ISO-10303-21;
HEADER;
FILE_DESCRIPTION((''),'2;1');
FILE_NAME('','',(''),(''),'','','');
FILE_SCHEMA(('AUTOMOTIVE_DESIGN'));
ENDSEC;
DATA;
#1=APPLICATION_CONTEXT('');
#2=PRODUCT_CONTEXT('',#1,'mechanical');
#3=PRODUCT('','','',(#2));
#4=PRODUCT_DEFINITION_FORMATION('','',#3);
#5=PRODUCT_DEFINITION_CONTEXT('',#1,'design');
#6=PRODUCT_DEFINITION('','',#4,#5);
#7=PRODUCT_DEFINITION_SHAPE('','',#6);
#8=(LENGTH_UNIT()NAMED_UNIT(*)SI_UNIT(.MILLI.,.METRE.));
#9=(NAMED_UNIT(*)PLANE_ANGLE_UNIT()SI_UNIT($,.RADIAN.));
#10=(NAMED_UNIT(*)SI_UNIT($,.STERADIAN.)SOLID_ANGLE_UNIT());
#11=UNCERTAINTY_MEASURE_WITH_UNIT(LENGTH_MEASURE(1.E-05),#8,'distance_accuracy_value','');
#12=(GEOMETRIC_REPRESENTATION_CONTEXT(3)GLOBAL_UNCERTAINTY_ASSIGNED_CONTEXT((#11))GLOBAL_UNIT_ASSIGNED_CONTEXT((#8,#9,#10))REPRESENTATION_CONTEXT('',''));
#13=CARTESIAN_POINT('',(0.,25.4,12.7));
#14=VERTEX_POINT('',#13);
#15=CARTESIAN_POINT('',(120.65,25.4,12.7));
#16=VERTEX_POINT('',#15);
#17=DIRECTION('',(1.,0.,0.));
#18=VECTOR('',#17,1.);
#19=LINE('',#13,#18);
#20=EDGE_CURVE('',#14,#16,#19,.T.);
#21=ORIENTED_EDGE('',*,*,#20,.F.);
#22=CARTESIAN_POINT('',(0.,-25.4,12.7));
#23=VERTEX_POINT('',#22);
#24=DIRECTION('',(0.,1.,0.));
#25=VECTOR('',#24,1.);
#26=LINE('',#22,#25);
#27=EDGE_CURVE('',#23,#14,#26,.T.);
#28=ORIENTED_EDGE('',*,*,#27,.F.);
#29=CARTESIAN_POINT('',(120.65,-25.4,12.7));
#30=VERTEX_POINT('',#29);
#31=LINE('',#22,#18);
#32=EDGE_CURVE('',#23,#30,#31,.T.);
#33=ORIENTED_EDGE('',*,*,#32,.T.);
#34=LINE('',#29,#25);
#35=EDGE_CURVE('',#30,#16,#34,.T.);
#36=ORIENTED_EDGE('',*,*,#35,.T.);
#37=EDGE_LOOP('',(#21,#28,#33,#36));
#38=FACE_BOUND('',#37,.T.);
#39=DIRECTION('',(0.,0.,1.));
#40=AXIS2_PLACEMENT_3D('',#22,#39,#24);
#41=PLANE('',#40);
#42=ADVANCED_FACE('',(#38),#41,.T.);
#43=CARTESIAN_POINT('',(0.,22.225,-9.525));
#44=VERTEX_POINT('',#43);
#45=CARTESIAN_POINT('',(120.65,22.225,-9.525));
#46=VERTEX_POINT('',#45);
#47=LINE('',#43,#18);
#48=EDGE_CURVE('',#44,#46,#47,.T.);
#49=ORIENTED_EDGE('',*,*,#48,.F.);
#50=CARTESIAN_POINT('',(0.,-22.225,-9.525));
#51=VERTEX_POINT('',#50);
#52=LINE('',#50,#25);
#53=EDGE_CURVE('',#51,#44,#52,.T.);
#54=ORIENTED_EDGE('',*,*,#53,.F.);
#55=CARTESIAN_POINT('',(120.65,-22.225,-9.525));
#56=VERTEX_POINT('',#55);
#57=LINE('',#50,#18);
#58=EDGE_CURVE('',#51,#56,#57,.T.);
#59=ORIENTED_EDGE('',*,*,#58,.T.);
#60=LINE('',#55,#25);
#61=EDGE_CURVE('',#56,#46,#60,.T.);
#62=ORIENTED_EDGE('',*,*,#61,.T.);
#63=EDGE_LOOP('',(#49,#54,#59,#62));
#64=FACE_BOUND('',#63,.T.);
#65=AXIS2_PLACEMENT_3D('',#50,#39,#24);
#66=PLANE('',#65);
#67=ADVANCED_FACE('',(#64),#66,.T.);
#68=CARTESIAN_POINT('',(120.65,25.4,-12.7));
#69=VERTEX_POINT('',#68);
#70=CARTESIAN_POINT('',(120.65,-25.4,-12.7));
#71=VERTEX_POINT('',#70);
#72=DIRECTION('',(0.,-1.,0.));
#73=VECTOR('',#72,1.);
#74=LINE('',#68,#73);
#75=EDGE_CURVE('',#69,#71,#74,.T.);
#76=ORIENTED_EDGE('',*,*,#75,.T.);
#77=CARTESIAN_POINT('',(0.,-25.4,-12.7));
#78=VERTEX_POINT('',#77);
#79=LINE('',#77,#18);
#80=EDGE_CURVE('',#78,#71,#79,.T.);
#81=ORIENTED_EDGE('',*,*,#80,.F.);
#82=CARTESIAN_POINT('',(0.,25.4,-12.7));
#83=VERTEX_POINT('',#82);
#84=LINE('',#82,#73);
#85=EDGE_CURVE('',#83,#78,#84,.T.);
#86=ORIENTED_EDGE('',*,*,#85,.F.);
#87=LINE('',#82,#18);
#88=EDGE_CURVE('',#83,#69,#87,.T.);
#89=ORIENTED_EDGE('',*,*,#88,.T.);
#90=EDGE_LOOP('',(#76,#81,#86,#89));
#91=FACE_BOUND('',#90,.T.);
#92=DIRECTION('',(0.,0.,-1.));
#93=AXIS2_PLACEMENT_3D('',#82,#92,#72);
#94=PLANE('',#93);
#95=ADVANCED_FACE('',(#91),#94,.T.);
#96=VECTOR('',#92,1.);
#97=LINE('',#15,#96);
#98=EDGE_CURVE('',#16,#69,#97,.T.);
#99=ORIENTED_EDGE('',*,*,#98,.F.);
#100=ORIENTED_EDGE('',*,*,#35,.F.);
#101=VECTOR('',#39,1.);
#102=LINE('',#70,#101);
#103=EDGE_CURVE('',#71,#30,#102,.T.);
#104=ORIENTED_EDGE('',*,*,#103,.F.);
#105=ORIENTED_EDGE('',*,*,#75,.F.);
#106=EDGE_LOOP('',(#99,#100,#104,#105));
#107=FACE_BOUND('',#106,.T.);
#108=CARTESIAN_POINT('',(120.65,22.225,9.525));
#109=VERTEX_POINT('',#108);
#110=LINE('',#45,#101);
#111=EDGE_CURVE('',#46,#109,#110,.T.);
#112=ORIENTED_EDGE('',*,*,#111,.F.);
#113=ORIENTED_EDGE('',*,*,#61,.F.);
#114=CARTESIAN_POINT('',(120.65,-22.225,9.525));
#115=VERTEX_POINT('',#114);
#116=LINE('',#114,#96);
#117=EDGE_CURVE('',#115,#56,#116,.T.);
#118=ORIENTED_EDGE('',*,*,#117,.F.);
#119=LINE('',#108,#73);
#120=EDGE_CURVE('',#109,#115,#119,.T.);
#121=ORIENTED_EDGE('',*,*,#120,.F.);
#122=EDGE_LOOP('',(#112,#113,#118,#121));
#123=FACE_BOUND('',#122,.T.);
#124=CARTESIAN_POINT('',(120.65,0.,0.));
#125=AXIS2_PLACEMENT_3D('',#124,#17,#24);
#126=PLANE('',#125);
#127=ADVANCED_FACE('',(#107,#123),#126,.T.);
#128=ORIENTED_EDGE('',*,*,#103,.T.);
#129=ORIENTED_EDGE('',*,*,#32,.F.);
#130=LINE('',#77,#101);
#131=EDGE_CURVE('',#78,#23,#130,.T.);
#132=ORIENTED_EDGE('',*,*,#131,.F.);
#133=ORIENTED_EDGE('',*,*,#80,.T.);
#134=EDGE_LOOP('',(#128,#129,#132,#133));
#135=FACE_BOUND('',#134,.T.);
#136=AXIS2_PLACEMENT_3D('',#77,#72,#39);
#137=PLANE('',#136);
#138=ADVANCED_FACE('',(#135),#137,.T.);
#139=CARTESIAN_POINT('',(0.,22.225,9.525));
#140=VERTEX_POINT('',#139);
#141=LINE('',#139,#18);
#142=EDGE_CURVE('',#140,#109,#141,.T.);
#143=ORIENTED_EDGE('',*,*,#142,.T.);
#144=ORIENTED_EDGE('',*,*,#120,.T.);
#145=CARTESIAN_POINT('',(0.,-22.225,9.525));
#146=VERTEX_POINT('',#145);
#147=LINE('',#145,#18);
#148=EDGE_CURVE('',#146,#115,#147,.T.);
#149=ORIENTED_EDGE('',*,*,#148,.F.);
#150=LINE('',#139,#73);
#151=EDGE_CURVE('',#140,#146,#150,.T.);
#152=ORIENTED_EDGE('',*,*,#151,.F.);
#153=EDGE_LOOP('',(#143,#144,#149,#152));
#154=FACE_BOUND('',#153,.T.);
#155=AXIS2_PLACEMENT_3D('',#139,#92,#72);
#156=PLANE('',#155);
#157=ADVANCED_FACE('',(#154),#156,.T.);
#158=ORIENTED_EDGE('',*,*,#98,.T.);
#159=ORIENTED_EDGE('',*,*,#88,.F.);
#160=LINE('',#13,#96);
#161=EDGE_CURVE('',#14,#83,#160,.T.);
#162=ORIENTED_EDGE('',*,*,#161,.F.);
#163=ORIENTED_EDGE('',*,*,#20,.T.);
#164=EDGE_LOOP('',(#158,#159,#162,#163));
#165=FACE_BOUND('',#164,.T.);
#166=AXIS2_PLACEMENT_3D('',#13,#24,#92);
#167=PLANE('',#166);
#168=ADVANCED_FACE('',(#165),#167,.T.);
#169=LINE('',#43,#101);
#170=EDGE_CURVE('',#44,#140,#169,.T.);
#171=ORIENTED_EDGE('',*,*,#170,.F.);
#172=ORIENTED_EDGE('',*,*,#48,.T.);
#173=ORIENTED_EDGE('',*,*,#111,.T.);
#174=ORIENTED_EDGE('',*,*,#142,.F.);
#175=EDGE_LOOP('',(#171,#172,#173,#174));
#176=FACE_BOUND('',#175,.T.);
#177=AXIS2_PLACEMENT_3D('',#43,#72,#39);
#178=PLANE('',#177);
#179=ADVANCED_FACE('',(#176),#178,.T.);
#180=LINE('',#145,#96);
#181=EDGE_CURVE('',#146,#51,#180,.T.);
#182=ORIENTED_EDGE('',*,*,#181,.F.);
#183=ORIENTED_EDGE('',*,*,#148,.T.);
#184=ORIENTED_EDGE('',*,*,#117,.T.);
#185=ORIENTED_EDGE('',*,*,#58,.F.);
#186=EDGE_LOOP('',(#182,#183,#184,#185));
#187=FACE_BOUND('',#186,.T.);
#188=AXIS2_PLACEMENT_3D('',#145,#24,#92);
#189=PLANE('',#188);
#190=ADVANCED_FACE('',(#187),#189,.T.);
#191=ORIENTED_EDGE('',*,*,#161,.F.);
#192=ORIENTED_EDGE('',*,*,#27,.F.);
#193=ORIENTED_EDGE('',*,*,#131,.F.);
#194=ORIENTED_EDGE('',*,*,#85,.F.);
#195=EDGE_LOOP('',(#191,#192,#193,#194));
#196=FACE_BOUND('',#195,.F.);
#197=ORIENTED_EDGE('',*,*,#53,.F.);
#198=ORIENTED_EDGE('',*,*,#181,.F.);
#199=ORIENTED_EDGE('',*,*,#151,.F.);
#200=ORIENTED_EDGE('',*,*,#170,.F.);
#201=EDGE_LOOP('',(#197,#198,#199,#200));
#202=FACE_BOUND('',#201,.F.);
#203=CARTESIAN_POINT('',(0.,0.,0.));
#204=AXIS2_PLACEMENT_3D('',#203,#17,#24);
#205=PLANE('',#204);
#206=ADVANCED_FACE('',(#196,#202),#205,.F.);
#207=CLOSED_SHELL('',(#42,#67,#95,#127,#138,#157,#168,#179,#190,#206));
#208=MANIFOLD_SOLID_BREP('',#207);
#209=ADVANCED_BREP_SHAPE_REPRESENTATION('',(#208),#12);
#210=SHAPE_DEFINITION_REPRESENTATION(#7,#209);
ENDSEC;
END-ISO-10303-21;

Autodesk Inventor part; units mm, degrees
ref_plane "YZ Plane" through (0, 0, 0) normal (1, 0, 0) x (0, 1, 0)
ref_plane "XZ Plane" through (0, 0, 0) normal (0, 1, 0) x (-1, 0, 0)
ref_plane "XY Plane" through (0, 0, 0) normal (0, 0, 1) x (1, 0, 0)
sketch "Sketch1" plane through (0, 0, 0) normal (1, 0, 0) x (0, 1, 0)
  line L0 (-25.4, 12.7) -> (25.4, 12.7)
  line L1 (25.4, 12.7) -> (25.4, -12.7)
  line L2 (25.4, -12.7) -> (-25.4, -12.7)
  line L3 (-25.4, -12.7) -> (-25.4, 12.7)
  line L4 (-25.4, 12.7) -> (25.4, -12.7) construction
  line L5 (25.4, 12.7) -> (-25.4, -12.7) construction
  line L6 (22.225, 9.525) -> (-22.225, 9.525)
  line L7 (-22.225, 9.525) -> (-22.225, -9.525)
  line L8 (-22.225, -9.525) -> (22.225, -9.525)
  line L9 (22.225, -9.525) -> (22.225, 9.525)
  point P0 (0, 0)
  dimension "d0" = 50.8
  dimension "d1" = 25.4
  dimension "d2" = 3.175
extrude "Extrusion1" add sketch "Sketch1" along normal blind 120.65
properties part number "SQ Tube" material "Aluminum 6061"
